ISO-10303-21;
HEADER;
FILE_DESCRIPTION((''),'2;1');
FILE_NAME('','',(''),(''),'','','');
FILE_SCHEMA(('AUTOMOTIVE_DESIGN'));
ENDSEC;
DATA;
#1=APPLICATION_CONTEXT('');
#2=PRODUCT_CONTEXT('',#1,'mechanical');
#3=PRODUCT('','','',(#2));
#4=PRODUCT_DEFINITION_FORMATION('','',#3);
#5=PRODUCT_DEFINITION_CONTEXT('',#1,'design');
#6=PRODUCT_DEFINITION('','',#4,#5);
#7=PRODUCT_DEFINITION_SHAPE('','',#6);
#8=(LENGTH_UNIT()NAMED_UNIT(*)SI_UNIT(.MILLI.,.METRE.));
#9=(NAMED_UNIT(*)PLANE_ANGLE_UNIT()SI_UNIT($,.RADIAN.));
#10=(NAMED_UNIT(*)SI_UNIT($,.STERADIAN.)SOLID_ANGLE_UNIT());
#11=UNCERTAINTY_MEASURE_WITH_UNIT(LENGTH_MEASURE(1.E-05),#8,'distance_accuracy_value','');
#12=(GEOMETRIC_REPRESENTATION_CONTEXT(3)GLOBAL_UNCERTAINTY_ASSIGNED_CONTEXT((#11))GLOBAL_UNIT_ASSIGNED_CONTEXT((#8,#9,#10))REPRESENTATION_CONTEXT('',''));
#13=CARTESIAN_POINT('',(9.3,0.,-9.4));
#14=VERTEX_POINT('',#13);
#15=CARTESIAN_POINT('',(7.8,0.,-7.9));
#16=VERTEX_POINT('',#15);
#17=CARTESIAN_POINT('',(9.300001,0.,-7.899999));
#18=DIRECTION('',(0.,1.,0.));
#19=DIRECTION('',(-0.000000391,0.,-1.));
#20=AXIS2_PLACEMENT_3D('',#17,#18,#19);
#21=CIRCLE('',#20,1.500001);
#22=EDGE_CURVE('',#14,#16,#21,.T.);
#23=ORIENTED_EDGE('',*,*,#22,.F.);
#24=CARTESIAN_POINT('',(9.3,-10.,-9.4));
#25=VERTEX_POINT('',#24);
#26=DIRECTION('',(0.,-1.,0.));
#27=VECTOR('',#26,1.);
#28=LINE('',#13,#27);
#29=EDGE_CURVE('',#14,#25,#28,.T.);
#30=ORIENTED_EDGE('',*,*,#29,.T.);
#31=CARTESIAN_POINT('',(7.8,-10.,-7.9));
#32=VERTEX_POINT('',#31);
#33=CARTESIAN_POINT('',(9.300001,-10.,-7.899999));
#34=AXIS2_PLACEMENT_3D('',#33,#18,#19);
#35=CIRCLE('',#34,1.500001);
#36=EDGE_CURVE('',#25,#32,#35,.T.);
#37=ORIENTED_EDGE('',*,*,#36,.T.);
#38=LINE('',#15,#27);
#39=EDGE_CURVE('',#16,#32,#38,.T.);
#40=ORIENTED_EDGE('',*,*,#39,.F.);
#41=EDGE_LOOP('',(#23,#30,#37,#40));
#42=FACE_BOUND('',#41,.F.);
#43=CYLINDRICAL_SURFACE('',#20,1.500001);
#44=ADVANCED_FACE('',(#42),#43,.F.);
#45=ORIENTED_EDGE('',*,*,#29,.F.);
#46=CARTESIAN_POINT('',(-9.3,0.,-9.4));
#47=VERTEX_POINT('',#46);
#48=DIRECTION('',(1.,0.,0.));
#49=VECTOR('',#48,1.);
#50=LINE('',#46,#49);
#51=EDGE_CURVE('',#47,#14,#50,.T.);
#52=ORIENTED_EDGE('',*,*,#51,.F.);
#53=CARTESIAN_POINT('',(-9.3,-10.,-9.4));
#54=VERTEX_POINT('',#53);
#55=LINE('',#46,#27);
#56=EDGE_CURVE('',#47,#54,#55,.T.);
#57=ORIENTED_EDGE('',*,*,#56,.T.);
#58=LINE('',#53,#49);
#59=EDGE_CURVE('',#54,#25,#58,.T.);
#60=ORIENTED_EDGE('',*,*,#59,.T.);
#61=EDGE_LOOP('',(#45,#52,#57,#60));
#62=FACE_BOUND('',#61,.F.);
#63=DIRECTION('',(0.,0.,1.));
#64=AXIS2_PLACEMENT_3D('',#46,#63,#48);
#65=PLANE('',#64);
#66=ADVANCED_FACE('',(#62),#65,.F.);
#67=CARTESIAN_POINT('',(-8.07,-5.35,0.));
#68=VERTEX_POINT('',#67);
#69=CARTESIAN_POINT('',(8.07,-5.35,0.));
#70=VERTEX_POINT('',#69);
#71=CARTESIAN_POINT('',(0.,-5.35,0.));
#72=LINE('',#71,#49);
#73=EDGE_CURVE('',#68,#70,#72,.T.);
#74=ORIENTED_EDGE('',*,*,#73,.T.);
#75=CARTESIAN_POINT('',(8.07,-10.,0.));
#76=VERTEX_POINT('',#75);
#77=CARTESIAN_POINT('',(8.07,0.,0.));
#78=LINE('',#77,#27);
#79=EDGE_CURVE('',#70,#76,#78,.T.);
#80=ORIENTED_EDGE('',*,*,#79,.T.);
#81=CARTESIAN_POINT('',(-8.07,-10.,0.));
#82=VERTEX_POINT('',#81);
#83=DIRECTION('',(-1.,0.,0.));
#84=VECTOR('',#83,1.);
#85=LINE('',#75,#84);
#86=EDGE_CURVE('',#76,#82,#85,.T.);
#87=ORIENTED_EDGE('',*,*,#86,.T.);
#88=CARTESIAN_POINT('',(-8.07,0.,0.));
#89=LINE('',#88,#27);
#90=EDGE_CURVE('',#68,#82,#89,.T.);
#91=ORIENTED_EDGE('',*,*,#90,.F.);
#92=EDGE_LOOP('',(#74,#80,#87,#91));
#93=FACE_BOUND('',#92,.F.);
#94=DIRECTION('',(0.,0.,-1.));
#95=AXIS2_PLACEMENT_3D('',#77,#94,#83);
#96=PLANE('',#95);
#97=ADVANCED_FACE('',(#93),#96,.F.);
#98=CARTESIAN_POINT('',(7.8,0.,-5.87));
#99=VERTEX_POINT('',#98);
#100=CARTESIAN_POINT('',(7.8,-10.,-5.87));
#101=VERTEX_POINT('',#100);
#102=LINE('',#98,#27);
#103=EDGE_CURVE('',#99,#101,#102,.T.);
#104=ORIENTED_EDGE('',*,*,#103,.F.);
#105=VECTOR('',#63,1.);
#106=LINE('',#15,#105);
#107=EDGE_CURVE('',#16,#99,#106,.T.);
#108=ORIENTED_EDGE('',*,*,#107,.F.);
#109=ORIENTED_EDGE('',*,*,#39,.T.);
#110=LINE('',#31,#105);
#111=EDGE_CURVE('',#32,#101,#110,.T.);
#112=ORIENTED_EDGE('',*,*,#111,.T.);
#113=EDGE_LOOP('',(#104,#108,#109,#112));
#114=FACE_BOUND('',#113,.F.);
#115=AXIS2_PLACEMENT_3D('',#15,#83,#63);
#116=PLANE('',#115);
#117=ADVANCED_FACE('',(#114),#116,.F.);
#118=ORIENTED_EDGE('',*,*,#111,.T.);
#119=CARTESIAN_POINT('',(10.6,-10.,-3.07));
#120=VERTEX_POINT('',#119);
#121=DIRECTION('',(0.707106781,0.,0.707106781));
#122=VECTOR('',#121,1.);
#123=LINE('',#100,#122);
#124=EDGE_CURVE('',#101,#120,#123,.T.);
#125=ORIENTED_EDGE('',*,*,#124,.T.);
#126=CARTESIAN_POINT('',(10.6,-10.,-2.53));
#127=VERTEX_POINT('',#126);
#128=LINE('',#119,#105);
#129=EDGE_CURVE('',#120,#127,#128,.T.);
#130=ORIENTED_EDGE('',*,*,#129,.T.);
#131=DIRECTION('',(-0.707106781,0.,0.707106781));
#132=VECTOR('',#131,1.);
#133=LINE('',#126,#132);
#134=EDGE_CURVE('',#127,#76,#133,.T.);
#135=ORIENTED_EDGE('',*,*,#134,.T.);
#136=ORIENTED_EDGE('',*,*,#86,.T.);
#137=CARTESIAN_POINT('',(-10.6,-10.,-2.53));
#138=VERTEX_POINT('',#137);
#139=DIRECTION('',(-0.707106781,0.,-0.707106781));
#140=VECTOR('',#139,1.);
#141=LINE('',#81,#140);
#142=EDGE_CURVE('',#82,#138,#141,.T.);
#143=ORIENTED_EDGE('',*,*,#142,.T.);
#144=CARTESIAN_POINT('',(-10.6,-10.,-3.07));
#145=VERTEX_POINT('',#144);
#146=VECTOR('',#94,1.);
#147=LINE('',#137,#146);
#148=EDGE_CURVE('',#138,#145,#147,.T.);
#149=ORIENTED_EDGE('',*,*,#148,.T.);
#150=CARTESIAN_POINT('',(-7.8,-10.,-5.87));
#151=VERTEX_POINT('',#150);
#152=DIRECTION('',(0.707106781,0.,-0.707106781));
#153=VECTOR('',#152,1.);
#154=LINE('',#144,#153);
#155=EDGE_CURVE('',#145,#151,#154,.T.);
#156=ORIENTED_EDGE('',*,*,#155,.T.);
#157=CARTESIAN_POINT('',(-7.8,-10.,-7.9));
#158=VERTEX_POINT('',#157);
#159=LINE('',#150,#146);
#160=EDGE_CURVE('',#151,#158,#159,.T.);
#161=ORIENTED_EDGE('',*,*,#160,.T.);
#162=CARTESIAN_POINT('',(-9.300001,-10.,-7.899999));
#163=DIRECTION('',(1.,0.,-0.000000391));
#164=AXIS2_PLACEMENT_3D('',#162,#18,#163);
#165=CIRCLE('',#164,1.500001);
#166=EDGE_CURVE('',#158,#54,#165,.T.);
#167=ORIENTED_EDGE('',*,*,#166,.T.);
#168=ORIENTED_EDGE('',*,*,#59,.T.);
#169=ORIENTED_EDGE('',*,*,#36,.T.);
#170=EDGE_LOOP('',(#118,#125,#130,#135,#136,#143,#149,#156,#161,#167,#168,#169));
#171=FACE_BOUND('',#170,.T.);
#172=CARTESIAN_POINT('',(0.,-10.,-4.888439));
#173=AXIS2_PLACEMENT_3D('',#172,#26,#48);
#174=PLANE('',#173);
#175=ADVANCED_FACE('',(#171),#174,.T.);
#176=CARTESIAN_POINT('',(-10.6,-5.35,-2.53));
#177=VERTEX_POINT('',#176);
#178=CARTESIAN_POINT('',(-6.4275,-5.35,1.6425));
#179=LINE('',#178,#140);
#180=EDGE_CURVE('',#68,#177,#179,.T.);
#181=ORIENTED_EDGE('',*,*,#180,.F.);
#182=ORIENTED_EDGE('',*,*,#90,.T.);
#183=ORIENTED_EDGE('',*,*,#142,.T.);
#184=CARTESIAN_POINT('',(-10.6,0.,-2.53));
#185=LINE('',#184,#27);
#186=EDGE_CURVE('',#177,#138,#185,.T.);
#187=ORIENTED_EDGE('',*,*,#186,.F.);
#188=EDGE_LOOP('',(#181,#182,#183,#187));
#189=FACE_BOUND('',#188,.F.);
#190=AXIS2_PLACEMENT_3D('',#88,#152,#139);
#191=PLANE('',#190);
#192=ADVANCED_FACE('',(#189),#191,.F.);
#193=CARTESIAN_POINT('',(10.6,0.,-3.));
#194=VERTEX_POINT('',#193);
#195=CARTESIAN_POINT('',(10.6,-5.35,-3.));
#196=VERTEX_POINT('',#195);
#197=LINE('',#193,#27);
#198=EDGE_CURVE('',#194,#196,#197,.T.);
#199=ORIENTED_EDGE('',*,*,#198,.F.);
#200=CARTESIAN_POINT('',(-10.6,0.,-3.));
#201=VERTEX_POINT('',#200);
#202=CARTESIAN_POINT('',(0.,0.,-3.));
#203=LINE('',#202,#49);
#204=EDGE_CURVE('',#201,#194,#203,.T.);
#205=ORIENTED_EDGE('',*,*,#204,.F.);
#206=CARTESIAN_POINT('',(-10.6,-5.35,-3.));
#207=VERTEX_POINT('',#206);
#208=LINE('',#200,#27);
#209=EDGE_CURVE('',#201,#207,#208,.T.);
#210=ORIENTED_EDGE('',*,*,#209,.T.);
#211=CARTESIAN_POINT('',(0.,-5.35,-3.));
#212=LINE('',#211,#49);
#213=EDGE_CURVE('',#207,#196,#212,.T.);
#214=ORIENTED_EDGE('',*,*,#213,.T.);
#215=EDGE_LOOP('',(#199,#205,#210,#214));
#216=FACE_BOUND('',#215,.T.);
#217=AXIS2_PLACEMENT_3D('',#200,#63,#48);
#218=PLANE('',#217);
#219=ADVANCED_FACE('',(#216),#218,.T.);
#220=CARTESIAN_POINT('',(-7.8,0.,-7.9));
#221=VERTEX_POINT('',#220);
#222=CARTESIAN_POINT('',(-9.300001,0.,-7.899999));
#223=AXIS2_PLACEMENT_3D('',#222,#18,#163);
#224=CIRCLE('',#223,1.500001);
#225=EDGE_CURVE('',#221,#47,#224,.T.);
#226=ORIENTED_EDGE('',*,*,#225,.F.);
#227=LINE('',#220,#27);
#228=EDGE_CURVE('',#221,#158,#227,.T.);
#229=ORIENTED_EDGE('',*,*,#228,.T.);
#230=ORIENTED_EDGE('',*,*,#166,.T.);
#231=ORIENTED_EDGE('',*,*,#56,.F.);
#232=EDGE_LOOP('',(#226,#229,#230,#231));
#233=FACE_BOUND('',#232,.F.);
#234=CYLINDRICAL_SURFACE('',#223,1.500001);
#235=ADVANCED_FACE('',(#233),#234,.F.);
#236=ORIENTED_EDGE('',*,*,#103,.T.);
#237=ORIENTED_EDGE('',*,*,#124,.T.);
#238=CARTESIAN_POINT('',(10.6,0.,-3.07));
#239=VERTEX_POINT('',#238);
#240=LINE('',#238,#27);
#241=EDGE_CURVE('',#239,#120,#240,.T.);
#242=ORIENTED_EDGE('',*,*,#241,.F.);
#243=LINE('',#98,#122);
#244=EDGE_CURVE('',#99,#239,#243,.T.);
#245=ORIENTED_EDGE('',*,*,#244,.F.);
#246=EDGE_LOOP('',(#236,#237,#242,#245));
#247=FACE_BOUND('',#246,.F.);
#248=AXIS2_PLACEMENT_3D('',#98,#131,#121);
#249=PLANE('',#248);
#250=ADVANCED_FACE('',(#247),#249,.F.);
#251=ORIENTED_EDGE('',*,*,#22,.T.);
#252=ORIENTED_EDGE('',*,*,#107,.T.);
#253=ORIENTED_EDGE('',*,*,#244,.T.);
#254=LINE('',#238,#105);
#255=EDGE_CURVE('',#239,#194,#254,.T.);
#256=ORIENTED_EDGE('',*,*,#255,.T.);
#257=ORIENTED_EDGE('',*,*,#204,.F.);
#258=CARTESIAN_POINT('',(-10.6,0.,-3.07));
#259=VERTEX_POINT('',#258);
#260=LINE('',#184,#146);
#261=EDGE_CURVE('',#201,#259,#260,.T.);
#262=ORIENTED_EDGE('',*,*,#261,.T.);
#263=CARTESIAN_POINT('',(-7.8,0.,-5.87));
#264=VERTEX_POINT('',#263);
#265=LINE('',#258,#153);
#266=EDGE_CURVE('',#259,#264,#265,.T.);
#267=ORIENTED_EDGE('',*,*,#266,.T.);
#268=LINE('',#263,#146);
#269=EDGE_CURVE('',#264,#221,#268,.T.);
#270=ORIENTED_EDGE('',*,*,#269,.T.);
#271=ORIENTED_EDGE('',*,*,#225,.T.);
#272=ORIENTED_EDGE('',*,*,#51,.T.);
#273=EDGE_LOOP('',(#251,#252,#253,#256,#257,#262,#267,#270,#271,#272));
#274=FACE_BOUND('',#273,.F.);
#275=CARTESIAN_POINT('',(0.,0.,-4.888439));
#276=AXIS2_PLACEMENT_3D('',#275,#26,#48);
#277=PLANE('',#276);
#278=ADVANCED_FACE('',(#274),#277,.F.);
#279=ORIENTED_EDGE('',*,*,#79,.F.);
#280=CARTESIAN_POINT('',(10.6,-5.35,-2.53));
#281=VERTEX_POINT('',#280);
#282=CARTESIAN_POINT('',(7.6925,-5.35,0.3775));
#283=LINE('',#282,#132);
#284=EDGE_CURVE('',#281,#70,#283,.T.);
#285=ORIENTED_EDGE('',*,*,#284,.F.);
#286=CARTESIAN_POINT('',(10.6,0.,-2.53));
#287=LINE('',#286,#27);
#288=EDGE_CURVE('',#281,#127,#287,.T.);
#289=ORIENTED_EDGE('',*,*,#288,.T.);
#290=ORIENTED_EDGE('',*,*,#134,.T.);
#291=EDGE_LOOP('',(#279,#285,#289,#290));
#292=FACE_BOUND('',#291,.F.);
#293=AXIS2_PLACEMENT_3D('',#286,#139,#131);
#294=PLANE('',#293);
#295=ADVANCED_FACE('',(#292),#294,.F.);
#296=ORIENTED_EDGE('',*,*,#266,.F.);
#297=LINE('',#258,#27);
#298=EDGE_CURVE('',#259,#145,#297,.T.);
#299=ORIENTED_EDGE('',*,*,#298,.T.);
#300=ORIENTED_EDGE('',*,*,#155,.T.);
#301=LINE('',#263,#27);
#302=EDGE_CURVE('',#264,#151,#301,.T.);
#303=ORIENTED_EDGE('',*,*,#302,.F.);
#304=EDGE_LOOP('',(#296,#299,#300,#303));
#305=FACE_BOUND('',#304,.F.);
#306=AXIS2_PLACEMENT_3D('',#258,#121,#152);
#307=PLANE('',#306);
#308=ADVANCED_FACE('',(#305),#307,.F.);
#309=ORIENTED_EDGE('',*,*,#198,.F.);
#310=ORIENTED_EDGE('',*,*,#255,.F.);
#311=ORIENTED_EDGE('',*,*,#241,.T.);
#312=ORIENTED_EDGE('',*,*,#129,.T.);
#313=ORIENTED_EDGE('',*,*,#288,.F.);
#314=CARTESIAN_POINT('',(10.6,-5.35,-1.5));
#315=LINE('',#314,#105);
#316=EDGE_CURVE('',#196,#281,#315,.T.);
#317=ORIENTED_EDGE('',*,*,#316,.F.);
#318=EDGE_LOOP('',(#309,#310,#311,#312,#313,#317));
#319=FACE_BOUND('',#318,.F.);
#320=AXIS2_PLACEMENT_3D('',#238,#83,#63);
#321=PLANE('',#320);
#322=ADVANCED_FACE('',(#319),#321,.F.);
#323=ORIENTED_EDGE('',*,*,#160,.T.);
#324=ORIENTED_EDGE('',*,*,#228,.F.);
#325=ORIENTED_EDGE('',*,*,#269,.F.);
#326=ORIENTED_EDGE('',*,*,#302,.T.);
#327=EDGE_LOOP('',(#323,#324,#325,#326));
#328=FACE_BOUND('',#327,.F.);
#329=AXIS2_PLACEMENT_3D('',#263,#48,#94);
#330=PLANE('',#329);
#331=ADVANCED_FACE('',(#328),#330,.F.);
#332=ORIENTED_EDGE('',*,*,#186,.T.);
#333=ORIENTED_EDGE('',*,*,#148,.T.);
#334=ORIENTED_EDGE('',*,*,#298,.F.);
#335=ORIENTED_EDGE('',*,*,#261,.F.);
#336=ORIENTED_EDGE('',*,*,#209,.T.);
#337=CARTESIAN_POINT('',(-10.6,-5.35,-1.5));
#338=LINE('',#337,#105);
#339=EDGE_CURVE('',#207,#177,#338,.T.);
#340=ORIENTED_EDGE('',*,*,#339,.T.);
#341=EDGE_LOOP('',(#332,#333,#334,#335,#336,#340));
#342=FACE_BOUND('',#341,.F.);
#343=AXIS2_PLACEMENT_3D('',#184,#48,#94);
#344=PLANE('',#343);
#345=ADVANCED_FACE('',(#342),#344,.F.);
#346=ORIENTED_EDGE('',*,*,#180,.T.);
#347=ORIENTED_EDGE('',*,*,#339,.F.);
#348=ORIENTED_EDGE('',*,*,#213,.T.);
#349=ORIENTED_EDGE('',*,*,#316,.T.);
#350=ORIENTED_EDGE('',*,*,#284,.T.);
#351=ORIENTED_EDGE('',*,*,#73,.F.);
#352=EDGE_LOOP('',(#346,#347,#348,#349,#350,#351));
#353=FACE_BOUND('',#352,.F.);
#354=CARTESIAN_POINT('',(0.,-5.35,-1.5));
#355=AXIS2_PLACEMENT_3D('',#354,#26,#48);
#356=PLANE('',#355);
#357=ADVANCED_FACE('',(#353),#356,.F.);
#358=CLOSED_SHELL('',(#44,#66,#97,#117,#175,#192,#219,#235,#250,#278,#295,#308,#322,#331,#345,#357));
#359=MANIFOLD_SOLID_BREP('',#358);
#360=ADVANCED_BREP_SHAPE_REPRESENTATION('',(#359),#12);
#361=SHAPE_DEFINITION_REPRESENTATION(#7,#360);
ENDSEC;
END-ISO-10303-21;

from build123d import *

# Parameters (mm, degrees)
F1_DEPTH = 10
F2_W     = 21.2
F2_H     = 3
F3_DEPTH = 5.35


with BuildPart() as f1:
    # F0 (on Front) → F1 (new body)
    with BuildSketch(Plane.XZ):
        with BuildLine():
            Line((-10.6, -2.53), (-10.6, -3.07))
            Line((-10.6, -3.07), (-7.8, -5.87))
            Line((-7.8, -5.87), (-7.8, -7.9))
            ThreePointArc((-7.8, -7.9), (-8.23934, -8.96066), (-9.3, -9.4))
            Line((-9.3, -9.4), (9.3, -9.4))
            ThreePointArc((9.3, -9.4), (8.23934, -8.96066), (7.8, -7.9))
            Line((7.8, -7.9), (7.8, -5.87))
            Line((7.8, -5.87), (10.6, -3.07))
            Line((10.6, -3.07), (10.6, -2.53))
            Line((10.6, -2.53), (8.07, 0))
            Line((8.07, 0), (-8.07, 0))
            Line((-8.07, 0), (-10.6, -2.53))
        make_face()
    extrude(amount=F1_DEPTH)


with BuildPart() as f3:
    # F2 (on Front) → F3 (new body)
    with BuildSketch(Plane.XZ):
        with Locations((0, -1.5)):
            Rectangle(F2_W, F2_H)
    extrude(amount=F3_DEPTH)


with BuildPart() as f1_1:
    add(f1.part)

    # F4: cut F3
    add(f3.part, mode=Mode.SUBTRACT)


solid = f1_1.part
